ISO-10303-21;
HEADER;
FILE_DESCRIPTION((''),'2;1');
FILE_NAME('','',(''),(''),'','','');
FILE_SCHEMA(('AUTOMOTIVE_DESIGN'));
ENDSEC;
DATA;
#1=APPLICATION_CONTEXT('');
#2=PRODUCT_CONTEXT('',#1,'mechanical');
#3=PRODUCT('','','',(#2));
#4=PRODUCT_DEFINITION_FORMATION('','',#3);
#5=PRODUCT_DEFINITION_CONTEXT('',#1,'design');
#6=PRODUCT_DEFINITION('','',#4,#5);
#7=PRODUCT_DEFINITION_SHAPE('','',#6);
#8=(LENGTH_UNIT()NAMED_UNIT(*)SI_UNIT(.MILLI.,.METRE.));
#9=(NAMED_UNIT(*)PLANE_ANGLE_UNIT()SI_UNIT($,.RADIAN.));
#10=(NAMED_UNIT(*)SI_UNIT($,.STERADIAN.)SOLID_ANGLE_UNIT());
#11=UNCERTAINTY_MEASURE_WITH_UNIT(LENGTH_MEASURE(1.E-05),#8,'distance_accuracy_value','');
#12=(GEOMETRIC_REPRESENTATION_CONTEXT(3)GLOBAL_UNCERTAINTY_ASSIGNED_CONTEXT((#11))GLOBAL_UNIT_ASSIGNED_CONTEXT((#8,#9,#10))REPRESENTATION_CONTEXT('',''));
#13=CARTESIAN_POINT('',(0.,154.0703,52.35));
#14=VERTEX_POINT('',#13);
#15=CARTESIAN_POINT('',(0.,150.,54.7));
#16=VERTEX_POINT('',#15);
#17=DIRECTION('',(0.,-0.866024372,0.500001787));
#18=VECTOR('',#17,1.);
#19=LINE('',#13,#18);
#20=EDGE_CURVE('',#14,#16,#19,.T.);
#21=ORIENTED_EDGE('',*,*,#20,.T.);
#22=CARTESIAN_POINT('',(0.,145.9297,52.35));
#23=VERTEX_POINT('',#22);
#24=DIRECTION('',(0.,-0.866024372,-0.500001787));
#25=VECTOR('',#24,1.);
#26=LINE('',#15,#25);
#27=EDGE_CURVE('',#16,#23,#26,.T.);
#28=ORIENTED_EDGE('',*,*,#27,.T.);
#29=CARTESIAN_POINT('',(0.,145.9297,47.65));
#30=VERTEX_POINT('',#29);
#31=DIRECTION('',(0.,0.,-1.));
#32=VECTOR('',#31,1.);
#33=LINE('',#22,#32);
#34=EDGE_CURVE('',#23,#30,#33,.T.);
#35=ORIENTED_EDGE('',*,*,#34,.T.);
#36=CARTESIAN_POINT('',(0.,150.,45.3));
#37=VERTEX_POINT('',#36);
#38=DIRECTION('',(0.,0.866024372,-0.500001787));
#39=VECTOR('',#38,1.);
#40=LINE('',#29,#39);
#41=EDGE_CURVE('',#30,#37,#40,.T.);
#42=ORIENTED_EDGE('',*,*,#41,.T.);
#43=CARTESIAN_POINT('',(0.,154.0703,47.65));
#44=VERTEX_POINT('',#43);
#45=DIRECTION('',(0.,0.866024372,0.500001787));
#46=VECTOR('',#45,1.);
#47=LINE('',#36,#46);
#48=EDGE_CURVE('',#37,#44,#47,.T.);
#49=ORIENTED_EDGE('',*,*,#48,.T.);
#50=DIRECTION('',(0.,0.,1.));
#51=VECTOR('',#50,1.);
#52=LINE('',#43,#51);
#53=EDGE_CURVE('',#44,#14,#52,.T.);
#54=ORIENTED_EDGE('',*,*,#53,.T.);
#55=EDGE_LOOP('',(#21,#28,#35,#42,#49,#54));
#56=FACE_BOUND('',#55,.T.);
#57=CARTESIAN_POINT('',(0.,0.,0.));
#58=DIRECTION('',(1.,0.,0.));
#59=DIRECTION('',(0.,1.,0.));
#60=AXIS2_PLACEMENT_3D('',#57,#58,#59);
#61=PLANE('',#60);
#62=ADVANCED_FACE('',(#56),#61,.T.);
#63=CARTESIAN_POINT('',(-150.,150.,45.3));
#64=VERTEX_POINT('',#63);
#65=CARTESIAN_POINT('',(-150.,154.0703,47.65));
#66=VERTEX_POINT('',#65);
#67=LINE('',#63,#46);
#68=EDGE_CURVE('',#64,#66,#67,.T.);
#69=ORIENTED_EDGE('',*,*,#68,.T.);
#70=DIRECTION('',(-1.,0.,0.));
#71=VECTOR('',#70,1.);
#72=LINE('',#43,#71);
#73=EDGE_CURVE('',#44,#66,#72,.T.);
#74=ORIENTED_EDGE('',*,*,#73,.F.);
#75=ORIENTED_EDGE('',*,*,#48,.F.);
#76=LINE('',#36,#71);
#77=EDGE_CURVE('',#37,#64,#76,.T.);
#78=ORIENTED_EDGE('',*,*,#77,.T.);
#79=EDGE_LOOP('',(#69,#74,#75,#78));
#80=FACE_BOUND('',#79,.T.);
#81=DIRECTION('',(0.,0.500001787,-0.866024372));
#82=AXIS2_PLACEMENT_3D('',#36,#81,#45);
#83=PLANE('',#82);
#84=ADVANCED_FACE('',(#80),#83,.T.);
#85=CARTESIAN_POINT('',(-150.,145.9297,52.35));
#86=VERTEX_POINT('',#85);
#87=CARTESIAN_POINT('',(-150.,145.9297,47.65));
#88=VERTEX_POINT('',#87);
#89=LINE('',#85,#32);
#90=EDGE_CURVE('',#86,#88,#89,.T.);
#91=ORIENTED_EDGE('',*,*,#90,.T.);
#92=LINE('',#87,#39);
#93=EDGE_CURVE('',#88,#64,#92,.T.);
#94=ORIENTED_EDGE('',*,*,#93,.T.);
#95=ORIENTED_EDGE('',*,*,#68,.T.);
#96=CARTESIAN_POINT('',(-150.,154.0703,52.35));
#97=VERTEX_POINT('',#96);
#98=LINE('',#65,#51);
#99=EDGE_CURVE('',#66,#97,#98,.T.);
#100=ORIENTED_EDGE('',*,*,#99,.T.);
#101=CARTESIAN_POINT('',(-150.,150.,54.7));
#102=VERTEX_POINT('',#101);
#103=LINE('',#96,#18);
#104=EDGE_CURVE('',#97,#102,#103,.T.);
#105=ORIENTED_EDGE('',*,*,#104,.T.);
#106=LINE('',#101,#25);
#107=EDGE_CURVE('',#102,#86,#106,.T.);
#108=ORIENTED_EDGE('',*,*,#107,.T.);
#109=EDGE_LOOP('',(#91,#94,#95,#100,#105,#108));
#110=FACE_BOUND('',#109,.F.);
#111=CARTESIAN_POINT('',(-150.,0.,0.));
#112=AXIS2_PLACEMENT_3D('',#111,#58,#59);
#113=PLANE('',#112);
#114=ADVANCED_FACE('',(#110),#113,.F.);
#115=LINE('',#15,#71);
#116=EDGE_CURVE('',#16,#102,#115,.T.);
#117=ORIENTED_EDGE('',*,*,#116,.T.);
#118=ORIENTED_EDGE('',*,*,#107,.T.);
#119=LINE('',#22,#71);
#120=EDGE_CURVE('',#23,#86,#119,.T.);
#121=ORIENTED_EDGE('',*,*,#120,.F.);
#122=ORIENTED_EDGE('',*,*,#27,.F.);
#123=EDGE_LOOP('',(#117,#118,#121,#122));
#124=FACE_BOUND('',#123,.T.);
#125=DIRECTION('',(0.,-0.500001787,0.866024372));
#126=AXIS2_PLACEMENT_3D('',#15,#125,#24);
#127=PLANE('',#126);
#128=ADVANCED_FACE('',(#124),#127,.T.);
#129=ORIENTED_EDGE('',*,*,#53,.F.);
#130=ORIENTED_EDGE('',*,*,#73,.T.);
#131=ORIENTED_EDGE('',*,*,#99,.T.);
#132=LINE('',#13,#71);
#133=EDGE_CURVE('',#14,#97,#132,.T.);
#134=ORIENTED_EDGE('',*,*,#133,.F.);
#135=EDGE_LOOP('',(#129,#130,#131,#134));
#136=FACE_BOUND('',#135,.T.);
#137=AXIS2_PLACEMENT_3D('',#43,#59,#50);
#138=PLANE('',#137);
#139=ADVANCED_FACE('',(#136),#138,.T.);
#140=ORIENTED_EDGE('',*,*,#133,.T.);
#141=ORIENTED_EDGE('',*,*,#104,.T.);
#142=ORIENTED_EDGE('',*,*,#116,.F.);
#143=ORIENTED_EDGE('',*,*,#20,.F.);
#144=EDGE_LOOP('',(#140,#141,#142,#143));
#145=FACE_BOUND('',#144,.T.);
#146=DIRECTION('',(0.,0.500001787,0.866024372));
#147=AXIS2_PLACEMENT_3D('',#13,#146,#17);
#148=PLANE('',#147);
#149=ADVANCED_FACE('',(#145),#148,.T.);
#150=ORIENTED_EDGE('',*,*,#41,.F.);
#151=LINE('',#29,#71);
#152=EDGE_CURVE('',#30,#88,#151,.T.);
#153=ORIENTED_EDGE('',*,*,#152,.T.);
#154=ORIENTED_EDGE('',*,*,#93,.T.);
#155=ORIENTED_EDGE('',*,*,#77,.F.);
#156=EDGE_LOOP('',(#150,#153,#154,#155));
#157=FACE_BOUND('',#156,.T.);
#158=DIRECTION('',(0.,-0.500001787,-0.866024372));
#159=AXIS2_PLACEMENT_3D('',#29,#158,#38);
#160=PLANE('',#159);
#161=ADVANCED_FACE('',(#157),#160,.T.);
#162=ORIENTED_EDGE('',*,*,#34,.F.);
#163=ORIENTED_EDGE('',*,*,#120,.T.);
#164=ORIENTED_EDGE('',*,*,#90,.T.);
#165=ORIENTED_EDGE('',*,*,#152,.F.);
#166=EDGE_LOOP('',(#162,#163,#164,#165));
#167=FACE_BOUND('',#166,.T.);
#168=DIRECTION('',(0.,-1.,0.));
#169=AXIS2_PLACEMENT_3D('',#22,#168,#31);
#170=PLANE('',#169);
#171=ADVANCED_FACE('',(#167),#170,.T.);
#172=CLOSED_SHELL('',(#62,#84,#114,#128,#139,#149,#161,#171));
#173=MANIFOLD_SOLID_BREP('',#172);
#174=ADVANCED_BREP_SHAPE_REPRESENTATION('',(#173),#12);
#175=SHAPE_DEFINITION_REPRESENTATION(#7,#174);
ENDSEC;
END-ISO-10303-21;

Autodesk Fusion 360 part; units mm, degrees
sketch "Sketch1" plane through (0, 0, 0) normal (1, 0, 0) x (0, 1, 0)
  line L0 (150, 45.3) -> (154.0703, 47.65)
  line L1 (154.0703, 47.65) -> (154.0703, 52.35)
  line L2 (154.0703, 52.35) -> (150, 54.7)
  line L3 (150, 54.7) -> (145.9297, 52.35)
  line L4 (145.9297, 52.35) -> (145.9297, 47.65)
  line L5 (145.9297, 47.65) -> (150, 45.3)
  point P0 (150, 50)
  dimension "d1" = 4.7
extrude "Extrude1" add sketch "Sketch1" against normal blind 150
